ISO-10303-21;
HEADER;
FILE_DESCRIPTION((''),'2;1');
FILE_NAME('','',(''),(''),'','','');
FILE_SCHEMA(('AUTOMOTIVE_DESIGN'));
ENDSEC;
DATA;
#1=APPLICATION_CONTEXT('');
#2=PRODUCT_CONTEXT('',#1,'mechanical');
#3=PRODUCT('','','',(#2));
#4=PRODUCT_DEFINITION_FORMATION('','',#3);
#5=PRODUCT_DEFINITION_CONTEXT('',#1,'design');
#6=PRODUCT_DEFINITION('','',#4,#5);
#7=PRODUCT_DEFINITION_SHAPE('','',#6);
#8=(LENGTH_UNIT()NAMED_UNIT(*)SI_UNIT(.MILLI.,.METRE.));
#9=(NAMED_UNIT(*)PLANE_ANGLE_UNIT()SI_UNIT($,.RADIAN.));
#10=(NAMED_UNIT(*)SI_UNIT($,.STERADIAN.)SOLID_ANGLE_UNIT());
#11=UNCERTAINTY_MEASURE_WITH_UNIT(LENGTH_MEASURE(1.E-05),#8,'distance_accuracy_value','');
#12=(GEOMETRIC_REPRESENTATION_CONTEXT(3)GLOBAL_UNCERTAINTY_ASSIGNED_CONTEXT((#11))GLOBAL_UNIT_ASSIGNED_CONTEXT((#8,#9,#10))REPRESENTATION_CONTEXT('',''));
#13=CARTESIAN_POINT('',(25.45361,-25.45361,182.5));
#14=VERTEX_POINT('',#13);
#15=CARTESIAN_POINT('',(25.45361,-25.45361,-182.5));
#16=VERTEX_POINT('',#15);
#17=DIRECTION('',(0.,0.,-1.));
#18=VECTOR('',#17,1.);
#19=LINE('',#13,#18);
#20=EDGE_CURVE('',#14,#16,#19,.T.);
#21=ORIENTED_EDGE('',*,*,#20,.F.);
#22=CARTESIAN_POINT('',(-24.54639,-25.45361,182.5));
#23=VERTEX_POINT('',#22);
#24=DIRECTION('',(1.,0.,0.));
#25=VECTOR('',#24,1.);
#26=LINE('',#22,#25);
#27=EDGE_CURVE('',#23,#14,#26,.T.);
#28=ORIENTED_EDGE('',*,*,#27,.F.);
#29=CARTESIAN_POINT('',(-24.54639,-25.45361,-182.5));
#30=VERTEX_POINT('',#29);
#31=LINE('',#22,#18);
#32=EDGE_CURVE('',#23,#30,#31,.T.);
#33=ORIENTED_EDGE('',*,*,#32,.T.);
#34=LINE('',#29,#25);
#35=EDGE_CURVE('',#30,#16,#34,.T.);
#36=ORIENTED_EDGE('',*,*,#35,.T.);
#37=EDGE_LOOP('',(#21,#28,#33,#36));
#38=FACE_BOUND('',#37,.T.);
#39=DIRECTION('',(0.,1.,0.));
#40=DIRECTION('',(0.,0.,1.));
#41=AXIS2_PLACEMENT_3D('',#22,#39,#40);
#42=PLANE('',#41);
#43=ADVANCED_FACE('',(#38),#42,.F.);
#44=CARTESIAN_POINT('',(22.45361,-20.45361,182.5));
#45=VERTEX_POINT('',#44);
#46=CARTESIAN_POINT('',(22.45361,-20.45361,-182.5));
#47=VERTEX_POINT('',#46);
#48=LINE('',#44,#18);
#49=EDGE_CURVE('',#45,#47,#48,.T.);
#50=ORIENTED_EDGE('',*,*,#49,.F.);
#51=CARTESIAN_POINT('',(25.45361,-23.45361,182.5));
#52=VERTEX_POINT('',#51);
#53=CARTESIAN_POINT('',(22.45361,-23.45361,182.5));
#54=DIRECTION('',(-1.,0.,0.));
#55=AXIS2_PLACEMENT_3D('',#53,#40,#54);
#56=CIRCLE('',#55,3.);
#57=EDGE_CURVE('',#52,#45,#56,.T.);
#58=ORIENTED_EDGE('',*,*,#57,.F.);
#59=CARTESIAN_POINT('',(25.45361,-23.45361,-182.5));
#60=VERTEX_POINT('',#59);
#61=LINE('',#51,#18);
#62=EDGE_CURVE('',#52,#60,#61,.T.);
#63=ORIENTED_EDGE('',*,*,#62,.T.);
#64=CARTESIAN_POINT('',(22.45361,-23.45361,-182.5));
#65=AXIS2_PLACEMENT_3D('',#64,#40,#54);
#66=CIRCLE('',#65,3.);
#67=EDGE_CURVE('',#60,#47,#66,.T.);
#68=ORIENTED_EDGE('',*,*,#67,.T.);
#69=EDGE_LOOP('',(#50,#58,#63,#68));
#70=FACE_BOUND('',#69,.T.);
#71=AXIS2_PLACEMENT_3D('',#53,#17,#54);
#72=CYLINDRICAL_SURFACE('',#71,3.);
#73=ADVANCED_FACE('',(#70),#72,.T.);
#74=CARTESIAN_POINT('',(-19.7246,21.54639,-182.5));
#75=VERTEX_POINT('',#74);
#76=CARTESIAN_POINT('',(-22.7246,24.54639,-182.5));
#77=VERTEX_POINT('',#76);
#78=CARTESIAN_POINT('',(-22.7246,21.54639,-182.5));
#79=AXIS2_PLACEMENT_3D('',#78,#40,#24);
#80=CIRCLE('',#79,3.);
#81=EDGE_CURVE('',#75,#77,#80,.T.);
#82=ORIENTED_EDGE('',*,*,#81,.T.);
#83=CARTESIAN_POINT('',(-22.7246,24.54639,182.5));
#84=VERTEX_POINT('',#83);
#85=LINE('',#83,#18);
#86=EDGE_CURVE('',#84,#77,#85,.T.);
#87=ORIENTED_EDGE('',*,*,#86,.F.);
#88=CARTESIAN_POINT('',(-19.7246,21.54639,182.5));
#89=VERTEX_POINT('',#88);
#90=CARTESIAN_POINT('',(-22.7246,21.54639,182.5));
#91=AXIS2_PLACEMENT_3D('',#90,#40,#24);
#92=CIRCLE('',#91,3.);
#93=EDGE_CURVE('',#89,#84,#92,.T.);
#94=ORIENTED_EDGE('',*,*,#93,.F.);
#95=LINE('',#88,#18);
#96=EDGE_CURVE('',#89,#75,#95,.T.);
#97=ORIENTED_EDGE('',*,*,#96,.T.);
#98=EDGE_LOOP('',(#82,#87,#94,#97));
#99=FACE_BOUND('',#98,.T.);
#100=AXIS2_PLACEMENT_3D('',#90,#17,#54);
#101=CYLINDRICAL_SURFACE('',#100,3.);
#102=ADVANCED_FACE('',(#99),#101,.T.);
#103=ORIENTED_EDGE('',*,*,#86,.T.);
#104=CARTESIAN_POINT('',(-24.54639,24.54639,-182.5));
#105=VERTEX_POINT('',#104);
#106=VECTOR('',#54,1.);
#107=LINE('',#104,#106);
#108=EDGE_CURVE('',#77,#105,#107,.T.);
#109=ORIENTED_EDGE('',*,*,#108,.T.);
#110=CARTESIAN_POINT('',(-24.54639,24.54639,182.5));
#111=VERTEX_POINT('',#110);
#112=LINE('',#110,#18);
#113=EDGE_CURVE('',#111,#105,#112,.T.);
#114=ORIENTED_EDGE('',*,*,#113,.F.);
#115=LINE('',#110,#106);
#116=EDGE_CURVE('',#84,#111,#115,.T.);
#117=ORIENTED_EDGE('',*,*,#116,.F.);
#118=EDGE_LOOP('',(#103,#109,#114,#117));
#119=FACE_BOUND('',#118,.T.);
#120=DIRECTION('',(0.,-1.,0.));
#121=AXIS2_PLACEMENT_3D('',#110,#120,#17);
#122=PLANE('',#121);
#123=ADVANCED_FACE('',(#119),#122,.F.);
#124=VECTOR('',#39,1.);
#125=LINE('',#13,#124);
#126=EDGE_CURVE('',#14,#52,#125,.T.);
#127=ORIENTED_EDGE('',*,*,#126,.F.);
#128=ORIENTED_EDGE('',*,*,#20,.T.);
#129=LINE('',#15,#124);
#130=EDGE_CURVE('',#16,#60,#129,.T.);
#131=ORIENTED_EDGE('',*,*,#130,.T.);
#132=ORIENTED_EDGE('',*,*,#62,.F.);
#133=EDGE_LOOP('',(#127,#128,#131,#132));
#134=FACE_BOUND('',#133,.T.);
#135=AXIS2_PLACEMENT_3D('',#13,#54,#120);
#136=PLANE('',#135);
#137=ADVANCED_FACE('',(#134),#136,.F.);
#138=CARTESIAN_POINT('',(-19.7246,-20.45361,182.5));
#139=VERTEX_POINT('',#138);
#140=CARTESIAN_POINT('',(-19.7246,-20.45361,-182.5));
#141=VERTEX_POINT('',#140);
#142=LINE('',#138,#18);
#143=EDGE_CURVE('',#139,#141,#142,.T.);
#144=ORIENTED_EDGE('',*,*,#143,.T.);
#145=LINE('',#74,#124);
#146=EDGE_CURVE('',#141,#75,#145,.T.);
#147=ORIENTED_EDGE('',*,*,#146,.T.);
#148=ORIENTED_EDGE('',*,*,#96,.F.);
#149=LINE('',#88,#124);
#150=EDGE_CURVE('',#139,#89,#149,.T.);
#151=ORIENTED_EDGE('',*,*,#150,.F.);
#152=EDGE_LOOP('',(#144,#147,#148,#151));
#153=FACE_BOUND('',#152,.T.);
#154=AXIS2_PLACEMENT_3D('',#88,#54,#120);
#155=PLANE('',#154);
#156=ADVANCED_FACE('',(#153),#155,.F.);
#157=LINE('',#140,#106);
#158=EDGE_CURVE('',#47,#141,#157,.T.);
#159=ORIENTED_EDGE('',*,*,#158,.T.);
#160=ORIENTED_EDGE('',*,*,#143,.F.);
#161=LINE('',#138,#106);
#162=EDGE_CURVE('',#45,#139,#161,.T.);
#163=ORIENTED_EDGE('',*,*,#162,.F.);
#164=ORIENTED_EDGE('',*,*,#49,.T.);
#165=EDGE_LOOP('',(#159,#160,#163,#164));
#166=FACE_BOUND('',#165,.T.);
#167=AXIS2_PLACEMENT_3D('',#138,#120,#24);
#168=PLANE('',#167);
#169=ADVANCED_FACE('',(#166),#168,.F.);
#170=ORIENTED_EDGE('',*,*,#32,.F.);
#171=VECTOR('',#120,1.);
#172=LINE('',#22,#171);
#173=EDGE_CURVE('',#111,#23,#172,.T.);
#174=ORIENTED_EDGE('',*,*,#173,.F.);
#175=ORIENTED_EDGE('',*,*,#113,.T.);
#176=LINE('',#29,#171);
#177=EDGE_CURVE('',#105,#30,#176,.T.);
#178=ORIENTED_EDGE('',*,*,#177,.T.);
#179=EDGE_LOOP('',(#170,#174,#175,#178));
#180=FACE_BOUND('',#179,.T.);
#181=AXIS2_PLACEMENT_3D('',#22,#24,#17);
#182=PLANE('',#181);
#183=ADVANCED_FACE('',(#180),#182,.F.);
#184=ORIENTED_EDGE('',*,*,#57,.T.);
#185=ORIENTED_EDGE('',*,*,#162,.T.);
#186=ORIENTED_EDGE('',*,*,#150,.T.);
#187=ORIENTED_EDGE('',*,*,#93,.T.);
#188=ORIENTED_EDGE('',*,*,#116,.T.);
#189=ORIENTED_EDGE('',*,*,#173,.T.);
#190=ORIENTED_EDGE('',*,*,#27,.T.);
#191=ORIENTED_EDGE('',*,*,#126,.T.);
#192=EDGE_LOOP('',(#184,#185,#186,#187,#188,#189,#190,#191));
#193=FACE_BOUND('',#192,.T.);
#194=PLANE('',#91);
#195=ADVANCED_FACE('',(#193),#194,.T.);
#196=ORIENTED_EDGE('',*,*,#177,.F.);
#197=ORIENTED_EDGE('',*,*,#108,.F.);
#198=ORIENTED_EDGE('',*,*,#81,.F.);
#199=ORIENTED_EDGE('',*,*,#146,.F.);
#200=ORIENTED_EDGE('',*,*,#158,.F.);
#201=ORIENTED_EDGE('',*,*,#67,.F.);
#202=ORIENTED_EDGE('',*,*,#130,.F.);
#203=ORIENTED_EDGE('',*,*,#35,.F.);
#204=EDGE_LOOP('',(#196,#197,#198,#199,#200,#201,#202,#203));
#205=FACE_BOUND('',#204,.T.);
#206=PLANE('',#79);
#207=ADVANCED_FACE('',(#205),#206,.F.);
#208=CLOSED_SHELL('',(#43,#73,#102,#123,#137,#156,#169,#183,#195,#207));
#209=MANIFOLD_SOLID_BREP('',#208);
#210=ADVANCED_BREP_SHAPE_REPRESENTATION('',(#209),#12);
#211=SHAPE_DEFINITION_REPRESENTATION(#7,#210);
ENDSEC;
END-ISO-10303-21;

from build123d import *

# Parameters (mm, degrees)
BOSS_EXTRUDE1_DEPTH = 182.5


with BuildPart() as part:
    # Sketch1 → Boss-Extrude1 (new, symmetric)
    with BuildSketch(Plane.XY):
        with BuildLine():
            Line((-19.724600372, 21.546389828), (-19.724600372, -20.453610172))
            Line((-19.724600372, -20.453610172), (22.453610172, -20.453610172))
            ThreePointArc((22.453610172, -20.453610172), (24.574930515, -21.332289828), (25.453610172, -23.453610172))
            Line((25.453610172, -23.453610172), (25.453610172, -25.453610172))
            Line((25.453610172, -25.453610172), (-24.546389828, -25.453610172))
            Line((-24.546389828, -25.453610172), (-24.546389828, 24.546389828))
            Line((-24.546389828, 24.546389828), (-22.724600372, 24.546389828))
            ThreePointArc((-22.724600372, 24.546389828), (-20.603280029, 23.667710172), (-19.724600372, 21.546389828))
        make_face()
    extrude(amount=BOSS_EXTRUDE1_DEPTH, both=True)


solid = part.part
